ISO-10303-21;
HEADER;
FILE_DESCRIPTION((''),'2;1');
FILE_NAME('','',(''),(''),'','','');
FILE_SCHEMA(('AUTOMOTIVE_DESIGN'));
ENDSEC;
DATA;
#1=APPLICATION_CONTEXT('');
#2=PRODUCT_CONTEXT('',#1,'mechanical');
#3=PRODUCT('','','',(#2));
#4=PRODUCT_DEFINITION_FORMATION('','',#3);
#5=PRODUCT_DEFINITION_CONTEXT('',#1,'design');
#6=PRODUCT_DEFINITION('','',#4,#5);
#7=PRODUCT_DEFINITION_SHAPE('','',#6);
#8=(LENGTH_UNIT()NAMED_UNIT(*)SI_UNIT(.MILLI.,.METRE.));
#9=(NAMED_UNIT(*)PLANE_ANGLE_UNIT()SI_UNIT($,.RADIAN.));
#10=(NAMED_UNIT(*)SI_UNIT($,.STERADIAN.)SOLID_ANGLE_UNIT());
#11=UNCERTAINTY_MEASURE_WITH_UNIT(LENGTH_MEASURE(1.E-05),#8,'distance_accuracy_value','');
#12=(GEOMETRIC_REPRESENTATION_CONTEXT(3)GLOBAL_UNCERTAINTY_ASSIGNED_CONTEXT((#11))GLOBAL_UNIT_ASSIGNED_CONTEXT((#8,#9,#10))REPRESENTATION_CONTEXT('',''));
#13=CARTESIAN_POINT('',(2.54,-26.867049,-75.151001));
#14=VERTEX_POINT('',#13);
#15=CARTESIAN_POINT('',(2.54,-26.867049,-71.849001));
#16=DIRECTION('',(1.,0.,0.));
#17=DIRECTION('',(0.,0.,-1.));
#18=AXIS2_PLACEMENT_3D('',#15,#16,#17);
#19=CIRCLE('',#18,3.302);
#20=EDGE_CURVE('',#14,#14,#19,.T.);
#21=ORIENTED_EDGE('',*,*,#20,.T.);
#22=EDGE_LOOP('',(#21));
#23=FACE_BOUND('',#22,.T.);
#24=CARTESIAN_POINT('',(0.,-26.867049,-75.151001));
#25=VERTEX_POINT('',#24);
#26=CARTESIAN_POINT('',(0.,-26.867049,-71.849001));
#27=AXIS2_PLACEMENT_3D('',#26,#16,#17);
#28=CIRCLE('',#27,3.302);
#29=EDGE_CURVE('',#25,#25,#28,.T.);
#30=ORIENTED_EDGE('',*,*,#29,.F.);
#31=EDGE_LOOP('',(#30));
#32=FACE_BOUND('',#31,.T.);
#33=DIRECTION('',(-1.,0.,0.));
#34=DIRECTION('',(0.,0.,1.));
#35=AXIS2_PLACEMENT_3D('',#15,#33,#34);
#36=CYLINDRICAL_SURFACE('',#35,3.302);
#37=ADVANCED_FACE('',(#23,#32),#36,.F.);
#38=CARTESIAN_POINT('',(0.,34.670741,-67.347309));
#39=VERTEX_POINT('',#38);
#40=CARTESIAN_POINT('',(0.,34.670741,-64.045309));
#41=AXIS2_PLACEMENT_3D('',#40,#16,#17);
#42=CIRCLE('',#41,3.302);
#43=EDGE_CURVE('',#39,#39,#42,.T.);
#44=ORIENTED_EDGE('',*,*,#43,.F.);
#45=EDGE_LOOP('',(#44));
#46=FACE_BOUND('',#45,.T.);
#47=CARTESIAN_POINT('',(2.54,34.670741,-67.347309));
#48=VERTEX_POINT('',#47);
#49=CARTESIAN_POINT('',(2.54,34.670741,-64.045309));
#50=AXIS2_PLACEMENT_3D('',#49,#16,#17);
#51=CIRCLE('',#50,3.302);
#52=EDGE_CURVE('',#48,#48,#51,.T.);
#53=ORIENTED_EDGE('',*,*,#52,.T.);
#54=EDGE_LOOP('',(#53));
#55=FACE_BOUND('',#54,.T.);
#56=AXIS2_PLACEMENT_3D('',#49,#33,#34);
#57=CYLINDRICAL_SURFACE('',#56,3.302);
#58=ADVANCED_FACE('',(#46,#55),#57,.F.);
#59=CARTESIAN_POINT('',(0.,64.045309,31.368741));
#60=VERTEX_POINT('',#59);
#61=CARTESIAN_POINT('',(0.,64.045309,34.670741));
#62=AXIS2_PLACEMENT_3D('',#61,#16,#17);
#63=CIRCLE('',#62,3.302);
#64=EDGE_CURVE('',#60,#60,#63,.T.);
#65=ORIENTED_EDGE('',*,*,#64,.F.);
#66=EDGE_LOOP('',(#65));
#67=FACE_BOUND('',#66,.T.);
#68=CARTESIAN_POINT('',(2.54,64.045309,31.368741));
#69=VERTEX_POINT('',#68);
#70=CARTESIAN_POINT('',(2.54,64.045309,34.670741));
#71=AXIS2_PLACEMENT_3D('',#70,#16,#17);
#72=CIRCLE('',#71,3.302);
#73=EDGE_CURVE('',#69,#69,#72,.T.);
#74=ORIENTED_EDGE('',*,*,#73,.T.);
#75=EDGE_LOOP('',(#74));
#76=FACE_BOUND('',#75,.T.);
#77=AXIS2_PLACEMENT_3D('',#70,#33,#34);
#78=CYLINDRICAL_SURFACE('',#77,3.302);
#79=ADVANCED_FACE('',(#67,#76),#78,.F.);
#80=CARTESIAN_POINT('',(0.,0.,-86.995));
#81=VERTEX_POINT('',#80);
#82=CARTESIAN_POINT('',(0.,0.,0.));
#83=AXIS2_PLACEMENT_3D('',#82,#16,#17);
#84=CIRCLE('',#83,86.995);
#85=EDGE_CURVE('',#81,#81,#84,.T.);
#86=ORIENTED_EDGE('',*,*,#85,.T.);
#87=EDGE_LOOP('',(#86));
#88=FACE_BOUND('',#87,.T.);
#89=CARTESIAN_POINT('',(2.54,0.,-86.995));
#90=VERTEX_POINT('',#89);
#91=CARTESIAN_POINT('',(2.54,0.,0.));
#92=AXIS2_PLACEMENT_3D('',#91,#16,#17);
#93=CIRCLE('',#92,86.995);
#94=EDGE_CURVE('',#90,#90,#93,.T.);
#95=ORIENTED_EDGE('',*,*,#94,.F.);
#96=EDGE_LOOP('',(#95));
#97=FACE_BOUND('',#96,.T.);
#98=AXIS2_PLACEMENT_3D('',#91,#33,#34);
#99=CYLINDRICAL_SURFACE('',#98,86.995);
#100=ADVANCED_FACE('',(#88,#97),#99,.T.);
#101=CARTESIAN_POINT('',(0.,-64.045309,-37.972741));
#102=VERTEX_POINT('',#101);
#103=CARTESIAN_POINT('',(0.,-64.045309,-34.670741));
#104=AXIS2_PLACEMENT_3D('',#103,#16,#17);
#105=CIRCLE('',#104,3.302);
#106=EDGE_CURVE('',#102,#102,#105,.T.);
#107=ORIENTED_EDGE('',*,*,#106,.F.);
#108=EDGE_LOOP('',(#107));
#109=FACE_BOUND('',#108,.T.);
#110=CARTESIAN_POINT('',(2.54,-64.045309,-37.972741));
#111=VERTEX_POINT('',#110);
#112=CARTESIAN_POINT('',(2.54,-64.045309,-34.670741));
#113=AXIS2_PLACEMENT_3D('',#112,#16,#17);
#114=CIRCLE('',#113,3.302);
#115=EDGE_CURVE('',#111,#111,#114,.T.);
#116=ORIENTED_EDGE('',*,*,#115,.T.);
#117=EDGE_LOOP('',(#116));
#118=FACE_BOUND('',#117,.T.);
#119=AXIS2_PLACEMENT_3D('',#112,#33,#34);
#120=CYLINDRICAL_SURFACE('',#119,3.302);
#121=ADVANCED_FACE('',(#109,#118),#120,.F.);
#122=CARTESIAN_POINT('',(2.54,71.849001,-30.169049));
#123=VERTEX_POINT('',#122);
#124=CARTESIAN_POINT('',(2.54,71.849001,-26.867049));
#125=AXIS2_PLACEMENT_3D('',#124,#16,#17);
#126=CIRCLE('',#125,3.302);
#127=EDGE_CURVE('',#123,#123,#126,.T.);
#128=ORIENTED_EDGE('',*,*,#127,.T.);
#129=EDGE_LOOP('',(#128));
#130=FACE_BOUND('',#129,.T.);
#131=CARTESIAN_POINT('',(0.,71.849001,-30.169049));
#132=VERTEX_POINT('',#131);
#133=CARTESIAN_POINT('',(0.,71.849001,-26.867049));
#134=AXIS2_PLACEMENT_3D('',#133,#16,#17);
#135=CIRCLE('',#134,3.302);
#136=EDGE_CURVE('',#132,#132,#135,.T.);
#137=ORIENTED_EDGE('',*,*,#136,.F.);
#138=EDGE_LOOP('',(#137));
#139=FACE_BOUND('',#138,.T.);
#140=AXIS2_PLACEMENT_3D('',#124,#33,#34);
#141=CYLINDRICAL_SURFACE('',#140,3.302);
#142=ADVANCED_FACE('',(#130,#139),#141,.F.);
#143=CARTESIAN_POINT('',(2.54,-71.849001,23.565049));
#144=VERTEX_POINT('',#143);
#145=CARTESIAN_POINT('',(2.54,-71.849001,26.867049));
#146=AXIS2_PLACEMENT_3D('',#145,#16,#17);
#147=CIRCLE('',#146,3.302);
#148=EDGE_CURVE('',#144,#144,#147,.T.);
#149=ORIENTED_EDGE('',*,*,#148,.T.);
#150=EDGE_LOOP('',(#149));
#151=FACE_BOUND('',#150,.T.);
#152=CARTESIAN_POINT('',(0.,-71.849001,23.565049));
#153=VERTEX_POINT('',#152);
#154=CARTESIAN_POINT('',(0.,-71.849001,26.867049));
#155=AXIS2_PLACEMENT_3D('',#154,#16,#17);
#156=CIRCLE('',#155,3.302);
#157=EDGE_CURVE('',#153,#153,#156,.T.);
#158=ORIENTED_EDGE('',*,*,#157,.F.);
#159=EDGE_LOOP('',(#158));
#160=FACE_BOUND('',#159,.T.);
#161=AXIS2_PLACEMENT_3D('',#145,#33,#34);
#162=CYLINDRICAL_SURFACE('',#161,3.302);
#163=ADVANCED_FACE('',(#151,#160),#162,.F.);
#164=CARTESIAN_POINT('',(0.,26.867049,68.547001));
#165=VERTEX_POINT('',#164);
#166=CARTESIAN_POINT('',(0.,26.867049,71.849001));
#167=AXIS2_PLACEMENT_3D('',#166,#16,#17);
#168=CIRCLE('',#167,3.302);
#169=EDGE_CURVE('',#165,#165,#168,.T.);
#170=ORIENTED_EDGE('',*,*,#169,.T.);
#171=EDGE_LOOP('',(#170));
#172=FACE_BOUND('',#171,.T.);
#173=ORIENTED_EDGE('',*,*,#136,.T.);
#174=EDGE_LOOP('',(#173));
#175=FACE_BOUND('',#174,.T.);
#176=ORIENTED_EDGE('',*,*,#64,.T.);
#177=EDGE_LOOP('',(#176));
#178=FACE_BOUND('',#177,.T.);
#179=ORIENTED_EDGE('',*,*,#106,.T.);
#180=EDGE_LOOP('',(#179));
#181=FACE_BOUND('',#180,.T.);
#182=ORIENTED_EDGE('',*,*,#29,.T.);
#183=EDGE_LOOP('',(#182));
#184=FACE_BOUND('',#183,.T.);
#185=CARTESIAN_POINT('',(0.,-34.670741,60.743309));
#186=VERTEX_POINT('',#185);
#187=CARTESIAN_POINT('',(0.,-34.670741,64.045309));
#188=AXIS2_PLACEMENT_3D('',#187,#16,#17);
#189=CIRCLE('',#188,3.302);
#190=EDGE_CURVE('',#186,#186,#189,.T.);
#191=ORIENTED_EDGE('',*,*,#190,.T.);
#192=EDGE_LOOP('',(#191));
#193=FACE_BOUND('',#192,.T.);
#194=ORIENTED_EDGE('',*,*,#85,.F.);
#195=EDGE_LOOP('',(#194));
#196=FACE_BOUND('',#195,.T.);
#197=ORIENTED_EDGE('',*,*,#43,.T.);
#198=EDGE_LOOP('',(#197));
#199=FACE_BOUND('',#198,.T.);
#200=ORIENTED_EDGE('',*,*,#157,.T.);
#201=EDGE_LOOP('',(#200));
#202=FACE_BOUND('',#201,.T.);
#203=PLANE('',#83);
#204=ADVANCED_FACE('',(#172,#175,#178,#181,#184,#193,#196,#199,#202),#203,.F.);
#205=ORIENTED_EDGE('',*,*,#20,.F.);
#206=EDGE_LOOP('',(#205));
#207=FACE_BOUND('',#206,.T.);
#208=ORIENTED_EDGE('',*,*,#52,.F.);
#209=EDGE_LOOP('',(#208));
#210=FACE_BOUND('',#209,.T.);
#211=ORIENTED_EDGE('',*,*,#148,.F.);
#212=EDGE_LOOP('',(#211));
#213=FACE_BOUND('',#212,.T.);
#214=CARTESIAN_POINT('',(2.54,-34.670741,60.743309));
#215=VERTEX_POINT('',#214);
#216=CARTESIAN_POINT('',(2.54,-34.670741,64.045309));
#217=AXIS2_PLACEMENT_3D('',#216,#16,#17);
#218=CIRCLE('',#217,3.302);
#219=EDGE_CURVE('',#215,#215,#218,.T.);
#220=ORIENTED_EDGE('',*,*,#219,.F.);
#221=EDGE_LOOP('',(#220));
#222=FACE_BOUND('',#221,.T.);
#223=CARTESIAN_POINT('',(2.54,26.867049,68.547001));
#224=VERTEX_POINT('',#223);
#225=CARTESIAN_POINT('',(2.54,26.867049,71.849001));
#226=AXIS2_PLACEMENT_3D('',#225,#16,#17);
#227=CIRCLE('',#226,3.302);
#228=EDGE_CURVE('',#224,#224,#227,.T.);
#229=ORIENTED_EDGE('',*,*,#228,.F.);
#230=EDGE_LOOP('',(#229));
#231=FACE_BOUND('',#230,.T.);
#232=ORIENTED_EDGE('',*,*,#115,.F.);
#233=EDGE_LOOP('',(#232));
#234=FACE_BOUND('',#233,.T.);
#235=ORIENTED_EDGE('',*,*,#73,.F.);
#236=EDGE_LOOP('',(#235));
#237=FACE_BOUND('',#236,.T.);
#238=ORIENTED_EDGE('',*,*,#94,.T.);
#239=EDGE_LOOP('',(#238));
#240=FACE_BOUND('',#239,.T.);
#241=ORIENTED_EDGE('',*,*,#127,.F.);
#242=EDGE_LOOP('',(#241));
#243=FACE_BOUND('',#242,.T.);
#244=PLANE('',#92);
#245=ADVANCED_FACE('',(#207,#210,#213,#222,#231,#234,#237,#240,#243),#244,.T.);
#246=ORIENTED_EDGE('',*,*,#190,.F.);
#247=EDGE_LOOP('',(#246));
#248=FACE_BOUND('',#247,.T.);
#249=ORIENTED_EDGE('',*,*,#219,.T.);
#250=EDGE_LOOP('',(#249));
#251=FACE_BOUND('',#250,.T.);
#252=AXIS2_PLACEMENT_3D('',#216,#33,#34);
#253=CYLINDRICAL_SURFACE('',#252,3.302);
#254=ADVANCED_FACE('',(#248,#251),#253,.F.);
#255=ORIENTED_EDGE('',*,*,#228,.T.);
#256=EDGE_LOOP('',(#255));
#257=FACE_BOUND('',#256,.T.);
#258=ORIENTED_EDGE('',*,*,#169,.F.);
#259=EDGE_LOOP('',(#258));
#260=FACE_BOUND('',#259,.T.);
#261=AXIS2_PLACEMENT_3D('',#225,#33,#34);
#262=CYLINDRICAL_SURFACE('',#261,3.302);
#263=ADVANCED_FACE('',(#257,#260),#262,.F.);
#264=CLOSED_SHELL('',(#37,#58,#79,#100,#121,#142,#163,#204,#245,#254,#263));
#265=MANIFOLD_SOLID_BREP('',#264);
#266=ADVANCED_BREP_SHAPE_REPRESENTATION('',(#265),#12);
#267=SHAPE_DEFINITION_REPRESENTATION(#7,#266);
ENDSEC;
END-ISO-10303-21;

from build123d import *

# Parameters (mm, degrees)
SKETCH1_R           = 86.995
SKETCH1_R_2         = 3.302
BOSS_EXTRUDE1_DEPTH = 2.54


with BuildPart() as part:
    # Sketch1 → Boss-Extrude1 (new body)
    with BuildSketch(Plane.YZ):
        with Locations(Location((0, 0, 0), (0, 0, 270))):
            Circle(SKETCH1_R)
        with Locations(Location((26.867048584, 71.849001137, 0), (0, 0, 270))):
            Circle(SKETCH1_R_2, mode=Mode.SUBTRACT)
        with Locations(Location((64.045308925, 34.670740796, 0), (0, 0, 270))):
            Circle(SKETCH1_R_2, mode=Mode.SUBTRACT)
        with Locations(Location((71.849001137, -26.867048584, 0), (0, 0, 270))):
            Circle(SKETCH1_R_2, mode=Mode.SUBTRACT)
        with Locations(Location((34.670740796, -64.045308925, 0), (0, 0, 270))):
            Circle(SKETCH1_R_2, mode=Mode.SUBTRACT)
        with Locations(Location((-26.867048584, -71.849001137, 0), (0, 0, 270))):
            Circle(SKETCH1_R_2, mode=Mode.SUBTRACT)
        with Locations(Location((-64.045308925, -34.670740796, 0), (0, 0, 270))):
            Circle(SKETCH1_R_2, mode=Mode.SUBTRACT)
        with Locations(Location((-71.849001137, 26.867048584, 0), (0, 0, 270))):
            Circle(SKETCH1_R_2, mode=Mode.SUBTRACT)
        with Locations(Location((-34.670740796, 64.045308925, 0), (0, 0, 270))):
            Circle(SKETCH1_R_2, mode=Mode.SUBTRACT)
    extrude(amount=BOSS_EXTRUDE1_DEPTH)


solid = part.part
